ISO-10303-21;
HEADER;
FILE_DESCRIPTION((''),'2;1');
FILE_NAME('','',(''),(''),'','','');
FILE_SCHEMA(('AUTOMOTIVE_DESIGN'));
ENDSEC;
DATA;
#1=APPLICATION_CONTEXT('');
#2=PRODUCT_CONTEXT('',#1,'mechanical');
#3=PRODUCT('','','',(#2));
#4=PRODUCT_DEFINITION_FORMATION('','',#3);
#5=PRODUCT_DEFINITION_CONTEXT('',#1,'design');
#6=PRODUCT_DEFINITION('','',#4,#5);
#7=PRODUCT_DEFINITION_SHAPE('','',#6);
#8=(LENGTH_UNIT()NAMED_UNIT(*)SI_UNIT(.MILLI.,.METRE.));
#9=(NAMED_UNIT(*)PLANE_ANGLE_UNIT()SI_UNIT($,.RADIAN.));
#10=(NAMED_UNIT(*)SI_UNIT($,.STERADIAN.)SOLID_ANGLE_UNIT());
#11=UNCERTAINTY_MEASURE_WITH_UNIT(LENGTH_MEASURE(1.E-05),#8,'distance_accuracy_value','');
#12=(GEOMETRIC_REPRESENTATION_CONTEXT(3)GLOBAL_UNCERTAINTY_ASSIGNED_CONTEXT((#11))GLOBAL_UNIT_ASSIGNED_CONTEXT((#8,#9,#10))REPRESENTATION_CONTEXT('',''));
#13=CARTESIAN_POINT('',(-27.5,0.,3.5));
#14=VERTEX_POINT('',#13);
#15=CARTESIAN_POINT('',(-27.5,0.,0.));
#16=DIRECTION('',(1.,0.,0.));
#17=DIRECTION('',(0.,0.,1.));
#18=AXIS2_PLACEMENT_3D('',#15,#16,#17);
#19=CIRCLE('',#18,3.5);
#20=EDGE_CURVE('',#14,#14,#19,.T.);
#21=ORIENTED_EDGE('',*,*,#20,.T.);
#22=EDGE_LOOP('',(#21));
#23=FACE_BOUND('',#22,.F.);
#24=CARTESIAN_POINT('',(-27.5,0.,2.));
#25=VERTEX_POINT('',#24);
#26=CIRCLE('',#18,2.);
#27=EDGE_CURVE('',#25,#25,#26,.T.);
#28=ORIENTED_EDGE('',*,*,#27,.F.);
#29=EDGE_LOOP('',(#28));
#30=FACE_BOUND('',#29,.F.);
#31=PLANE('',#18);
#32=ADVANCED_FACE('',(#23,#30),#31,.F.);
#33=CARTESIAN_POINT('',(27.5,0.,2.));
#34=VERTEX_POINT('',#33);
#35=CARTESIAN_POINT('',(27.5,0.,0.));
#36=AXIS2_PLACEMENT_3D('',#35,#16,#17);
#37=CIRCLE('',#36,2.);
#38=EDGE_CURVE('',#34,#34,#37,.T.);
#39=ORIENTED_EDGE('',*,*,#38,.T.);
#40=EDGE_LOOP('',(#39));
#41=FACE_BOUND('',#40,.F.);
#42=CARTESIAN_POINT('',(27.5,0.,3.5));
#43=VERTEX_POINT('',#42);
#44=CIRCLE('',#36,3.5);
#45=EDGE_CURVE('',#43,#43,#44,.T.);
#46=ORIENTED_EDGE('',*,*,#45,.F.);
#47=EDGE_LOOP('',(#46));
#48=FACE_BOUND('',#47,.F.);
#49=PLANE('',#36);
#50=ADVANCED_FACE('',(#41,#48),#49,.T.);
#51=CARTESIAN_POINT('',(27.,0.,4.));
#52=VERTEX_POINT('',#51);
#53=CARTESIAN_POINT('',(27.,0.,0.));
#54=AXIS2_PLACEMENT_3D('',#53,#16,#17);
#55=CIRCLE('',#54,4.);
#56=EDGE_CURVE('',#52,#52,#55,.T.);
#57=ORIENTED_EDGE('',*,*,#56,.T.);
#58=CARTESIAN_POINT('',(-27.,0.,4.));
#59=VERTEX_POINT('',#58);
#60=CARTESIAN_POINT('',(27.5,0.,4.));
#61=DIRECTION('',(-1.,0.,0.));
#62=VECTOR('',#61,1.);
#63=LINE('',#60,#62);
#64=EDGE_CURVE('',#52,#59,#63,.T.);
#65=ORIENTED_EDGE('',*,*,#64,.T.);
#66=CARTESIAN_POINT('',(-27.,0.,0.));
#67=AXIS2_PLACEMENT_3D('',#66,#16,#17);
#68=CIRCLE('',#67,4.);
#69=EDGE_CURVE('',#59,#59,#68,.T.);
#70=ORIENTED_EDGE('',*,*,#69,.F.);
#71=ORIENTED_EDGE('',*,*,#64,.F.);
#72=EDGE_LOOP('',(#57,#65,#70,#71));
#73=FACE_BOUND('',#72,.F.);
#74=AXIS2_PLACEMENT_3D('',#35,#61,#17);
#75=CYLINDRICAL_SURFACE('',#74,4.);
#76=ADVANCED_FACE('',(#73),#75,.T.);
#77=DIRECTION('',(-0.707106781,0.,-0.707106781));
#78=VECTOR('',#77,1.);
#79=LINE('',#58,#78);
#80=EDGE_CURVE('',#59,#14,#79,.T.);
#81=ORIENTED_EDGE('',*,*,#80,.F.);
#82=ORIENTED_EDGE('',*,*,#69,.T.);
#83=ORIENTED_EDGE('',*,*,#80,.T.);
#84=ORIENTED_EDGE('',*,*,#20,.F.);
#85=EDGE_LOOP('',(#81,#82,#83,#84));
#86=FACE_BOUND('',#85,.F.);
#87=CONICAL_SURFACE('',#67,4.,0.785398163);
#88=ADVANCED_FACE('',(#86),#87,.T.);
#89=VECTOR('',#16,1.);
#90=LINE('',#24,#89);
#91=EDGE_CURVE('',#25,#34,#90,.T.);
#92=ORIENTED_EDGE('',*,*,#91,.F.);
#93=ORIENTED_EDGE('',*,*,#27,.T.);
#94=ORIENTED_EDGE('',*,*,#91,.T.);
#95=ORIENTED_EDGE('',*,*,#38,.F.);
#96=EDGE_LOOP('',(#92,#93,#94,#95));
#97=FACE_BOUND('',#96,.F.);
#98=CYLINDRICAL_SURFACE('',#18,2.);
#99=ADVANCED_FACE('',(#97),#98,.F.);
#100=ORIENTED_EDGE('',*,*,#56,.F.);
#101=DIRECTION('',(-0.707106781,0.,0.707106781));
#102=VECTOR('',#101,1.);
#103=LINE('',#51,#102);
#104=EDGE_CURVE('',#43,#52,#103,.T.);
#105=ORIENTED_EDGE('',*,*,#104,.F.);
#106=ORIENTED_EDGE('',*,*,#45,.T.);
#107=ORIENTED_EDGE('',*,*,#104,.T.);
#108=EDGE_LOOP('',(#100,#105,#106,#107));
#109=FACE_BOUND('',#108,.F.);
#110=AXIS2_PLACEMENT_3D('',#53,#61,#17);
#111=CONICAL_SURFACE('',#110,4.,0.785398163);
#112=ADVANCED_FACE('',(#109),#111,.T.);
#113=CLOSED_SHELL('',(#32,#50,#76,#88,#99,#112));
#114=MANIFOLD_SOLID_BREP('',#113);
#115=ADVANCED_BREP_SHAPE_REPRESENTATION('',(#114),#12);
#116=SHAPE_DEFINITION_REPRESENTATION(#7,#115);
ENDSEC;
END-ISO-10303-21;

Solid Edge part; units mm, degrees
sketch "Sketch1" plane through (0, 0, 0) normal (0, -1, 0) x (1, 0, 0)
  line L0 (27.5, 0) -> (27.5, 4)
  line L1 (27.5, 4) -> (-27.5, 4)
  line L2 (-27.5, 4) -> (-27.5, 0)
  dimension "D1" = 55
revolve "RevolvedProtrusion1" add sketch "Sketch1" angle 360 about axis through (-32.5, 0, 0) along (1, 0, 0)
chamfer "Chamfer1" distance 0.5 angle 45 2 edges at (27.5, 0, -4) (-27.5, 0, -4)
hole "Hole_1" at (-27.5, 0, 0) direction (1, 0, 0) diameter 4 depth 60 tip angle 118
properties material "Polyethylene, low density"
